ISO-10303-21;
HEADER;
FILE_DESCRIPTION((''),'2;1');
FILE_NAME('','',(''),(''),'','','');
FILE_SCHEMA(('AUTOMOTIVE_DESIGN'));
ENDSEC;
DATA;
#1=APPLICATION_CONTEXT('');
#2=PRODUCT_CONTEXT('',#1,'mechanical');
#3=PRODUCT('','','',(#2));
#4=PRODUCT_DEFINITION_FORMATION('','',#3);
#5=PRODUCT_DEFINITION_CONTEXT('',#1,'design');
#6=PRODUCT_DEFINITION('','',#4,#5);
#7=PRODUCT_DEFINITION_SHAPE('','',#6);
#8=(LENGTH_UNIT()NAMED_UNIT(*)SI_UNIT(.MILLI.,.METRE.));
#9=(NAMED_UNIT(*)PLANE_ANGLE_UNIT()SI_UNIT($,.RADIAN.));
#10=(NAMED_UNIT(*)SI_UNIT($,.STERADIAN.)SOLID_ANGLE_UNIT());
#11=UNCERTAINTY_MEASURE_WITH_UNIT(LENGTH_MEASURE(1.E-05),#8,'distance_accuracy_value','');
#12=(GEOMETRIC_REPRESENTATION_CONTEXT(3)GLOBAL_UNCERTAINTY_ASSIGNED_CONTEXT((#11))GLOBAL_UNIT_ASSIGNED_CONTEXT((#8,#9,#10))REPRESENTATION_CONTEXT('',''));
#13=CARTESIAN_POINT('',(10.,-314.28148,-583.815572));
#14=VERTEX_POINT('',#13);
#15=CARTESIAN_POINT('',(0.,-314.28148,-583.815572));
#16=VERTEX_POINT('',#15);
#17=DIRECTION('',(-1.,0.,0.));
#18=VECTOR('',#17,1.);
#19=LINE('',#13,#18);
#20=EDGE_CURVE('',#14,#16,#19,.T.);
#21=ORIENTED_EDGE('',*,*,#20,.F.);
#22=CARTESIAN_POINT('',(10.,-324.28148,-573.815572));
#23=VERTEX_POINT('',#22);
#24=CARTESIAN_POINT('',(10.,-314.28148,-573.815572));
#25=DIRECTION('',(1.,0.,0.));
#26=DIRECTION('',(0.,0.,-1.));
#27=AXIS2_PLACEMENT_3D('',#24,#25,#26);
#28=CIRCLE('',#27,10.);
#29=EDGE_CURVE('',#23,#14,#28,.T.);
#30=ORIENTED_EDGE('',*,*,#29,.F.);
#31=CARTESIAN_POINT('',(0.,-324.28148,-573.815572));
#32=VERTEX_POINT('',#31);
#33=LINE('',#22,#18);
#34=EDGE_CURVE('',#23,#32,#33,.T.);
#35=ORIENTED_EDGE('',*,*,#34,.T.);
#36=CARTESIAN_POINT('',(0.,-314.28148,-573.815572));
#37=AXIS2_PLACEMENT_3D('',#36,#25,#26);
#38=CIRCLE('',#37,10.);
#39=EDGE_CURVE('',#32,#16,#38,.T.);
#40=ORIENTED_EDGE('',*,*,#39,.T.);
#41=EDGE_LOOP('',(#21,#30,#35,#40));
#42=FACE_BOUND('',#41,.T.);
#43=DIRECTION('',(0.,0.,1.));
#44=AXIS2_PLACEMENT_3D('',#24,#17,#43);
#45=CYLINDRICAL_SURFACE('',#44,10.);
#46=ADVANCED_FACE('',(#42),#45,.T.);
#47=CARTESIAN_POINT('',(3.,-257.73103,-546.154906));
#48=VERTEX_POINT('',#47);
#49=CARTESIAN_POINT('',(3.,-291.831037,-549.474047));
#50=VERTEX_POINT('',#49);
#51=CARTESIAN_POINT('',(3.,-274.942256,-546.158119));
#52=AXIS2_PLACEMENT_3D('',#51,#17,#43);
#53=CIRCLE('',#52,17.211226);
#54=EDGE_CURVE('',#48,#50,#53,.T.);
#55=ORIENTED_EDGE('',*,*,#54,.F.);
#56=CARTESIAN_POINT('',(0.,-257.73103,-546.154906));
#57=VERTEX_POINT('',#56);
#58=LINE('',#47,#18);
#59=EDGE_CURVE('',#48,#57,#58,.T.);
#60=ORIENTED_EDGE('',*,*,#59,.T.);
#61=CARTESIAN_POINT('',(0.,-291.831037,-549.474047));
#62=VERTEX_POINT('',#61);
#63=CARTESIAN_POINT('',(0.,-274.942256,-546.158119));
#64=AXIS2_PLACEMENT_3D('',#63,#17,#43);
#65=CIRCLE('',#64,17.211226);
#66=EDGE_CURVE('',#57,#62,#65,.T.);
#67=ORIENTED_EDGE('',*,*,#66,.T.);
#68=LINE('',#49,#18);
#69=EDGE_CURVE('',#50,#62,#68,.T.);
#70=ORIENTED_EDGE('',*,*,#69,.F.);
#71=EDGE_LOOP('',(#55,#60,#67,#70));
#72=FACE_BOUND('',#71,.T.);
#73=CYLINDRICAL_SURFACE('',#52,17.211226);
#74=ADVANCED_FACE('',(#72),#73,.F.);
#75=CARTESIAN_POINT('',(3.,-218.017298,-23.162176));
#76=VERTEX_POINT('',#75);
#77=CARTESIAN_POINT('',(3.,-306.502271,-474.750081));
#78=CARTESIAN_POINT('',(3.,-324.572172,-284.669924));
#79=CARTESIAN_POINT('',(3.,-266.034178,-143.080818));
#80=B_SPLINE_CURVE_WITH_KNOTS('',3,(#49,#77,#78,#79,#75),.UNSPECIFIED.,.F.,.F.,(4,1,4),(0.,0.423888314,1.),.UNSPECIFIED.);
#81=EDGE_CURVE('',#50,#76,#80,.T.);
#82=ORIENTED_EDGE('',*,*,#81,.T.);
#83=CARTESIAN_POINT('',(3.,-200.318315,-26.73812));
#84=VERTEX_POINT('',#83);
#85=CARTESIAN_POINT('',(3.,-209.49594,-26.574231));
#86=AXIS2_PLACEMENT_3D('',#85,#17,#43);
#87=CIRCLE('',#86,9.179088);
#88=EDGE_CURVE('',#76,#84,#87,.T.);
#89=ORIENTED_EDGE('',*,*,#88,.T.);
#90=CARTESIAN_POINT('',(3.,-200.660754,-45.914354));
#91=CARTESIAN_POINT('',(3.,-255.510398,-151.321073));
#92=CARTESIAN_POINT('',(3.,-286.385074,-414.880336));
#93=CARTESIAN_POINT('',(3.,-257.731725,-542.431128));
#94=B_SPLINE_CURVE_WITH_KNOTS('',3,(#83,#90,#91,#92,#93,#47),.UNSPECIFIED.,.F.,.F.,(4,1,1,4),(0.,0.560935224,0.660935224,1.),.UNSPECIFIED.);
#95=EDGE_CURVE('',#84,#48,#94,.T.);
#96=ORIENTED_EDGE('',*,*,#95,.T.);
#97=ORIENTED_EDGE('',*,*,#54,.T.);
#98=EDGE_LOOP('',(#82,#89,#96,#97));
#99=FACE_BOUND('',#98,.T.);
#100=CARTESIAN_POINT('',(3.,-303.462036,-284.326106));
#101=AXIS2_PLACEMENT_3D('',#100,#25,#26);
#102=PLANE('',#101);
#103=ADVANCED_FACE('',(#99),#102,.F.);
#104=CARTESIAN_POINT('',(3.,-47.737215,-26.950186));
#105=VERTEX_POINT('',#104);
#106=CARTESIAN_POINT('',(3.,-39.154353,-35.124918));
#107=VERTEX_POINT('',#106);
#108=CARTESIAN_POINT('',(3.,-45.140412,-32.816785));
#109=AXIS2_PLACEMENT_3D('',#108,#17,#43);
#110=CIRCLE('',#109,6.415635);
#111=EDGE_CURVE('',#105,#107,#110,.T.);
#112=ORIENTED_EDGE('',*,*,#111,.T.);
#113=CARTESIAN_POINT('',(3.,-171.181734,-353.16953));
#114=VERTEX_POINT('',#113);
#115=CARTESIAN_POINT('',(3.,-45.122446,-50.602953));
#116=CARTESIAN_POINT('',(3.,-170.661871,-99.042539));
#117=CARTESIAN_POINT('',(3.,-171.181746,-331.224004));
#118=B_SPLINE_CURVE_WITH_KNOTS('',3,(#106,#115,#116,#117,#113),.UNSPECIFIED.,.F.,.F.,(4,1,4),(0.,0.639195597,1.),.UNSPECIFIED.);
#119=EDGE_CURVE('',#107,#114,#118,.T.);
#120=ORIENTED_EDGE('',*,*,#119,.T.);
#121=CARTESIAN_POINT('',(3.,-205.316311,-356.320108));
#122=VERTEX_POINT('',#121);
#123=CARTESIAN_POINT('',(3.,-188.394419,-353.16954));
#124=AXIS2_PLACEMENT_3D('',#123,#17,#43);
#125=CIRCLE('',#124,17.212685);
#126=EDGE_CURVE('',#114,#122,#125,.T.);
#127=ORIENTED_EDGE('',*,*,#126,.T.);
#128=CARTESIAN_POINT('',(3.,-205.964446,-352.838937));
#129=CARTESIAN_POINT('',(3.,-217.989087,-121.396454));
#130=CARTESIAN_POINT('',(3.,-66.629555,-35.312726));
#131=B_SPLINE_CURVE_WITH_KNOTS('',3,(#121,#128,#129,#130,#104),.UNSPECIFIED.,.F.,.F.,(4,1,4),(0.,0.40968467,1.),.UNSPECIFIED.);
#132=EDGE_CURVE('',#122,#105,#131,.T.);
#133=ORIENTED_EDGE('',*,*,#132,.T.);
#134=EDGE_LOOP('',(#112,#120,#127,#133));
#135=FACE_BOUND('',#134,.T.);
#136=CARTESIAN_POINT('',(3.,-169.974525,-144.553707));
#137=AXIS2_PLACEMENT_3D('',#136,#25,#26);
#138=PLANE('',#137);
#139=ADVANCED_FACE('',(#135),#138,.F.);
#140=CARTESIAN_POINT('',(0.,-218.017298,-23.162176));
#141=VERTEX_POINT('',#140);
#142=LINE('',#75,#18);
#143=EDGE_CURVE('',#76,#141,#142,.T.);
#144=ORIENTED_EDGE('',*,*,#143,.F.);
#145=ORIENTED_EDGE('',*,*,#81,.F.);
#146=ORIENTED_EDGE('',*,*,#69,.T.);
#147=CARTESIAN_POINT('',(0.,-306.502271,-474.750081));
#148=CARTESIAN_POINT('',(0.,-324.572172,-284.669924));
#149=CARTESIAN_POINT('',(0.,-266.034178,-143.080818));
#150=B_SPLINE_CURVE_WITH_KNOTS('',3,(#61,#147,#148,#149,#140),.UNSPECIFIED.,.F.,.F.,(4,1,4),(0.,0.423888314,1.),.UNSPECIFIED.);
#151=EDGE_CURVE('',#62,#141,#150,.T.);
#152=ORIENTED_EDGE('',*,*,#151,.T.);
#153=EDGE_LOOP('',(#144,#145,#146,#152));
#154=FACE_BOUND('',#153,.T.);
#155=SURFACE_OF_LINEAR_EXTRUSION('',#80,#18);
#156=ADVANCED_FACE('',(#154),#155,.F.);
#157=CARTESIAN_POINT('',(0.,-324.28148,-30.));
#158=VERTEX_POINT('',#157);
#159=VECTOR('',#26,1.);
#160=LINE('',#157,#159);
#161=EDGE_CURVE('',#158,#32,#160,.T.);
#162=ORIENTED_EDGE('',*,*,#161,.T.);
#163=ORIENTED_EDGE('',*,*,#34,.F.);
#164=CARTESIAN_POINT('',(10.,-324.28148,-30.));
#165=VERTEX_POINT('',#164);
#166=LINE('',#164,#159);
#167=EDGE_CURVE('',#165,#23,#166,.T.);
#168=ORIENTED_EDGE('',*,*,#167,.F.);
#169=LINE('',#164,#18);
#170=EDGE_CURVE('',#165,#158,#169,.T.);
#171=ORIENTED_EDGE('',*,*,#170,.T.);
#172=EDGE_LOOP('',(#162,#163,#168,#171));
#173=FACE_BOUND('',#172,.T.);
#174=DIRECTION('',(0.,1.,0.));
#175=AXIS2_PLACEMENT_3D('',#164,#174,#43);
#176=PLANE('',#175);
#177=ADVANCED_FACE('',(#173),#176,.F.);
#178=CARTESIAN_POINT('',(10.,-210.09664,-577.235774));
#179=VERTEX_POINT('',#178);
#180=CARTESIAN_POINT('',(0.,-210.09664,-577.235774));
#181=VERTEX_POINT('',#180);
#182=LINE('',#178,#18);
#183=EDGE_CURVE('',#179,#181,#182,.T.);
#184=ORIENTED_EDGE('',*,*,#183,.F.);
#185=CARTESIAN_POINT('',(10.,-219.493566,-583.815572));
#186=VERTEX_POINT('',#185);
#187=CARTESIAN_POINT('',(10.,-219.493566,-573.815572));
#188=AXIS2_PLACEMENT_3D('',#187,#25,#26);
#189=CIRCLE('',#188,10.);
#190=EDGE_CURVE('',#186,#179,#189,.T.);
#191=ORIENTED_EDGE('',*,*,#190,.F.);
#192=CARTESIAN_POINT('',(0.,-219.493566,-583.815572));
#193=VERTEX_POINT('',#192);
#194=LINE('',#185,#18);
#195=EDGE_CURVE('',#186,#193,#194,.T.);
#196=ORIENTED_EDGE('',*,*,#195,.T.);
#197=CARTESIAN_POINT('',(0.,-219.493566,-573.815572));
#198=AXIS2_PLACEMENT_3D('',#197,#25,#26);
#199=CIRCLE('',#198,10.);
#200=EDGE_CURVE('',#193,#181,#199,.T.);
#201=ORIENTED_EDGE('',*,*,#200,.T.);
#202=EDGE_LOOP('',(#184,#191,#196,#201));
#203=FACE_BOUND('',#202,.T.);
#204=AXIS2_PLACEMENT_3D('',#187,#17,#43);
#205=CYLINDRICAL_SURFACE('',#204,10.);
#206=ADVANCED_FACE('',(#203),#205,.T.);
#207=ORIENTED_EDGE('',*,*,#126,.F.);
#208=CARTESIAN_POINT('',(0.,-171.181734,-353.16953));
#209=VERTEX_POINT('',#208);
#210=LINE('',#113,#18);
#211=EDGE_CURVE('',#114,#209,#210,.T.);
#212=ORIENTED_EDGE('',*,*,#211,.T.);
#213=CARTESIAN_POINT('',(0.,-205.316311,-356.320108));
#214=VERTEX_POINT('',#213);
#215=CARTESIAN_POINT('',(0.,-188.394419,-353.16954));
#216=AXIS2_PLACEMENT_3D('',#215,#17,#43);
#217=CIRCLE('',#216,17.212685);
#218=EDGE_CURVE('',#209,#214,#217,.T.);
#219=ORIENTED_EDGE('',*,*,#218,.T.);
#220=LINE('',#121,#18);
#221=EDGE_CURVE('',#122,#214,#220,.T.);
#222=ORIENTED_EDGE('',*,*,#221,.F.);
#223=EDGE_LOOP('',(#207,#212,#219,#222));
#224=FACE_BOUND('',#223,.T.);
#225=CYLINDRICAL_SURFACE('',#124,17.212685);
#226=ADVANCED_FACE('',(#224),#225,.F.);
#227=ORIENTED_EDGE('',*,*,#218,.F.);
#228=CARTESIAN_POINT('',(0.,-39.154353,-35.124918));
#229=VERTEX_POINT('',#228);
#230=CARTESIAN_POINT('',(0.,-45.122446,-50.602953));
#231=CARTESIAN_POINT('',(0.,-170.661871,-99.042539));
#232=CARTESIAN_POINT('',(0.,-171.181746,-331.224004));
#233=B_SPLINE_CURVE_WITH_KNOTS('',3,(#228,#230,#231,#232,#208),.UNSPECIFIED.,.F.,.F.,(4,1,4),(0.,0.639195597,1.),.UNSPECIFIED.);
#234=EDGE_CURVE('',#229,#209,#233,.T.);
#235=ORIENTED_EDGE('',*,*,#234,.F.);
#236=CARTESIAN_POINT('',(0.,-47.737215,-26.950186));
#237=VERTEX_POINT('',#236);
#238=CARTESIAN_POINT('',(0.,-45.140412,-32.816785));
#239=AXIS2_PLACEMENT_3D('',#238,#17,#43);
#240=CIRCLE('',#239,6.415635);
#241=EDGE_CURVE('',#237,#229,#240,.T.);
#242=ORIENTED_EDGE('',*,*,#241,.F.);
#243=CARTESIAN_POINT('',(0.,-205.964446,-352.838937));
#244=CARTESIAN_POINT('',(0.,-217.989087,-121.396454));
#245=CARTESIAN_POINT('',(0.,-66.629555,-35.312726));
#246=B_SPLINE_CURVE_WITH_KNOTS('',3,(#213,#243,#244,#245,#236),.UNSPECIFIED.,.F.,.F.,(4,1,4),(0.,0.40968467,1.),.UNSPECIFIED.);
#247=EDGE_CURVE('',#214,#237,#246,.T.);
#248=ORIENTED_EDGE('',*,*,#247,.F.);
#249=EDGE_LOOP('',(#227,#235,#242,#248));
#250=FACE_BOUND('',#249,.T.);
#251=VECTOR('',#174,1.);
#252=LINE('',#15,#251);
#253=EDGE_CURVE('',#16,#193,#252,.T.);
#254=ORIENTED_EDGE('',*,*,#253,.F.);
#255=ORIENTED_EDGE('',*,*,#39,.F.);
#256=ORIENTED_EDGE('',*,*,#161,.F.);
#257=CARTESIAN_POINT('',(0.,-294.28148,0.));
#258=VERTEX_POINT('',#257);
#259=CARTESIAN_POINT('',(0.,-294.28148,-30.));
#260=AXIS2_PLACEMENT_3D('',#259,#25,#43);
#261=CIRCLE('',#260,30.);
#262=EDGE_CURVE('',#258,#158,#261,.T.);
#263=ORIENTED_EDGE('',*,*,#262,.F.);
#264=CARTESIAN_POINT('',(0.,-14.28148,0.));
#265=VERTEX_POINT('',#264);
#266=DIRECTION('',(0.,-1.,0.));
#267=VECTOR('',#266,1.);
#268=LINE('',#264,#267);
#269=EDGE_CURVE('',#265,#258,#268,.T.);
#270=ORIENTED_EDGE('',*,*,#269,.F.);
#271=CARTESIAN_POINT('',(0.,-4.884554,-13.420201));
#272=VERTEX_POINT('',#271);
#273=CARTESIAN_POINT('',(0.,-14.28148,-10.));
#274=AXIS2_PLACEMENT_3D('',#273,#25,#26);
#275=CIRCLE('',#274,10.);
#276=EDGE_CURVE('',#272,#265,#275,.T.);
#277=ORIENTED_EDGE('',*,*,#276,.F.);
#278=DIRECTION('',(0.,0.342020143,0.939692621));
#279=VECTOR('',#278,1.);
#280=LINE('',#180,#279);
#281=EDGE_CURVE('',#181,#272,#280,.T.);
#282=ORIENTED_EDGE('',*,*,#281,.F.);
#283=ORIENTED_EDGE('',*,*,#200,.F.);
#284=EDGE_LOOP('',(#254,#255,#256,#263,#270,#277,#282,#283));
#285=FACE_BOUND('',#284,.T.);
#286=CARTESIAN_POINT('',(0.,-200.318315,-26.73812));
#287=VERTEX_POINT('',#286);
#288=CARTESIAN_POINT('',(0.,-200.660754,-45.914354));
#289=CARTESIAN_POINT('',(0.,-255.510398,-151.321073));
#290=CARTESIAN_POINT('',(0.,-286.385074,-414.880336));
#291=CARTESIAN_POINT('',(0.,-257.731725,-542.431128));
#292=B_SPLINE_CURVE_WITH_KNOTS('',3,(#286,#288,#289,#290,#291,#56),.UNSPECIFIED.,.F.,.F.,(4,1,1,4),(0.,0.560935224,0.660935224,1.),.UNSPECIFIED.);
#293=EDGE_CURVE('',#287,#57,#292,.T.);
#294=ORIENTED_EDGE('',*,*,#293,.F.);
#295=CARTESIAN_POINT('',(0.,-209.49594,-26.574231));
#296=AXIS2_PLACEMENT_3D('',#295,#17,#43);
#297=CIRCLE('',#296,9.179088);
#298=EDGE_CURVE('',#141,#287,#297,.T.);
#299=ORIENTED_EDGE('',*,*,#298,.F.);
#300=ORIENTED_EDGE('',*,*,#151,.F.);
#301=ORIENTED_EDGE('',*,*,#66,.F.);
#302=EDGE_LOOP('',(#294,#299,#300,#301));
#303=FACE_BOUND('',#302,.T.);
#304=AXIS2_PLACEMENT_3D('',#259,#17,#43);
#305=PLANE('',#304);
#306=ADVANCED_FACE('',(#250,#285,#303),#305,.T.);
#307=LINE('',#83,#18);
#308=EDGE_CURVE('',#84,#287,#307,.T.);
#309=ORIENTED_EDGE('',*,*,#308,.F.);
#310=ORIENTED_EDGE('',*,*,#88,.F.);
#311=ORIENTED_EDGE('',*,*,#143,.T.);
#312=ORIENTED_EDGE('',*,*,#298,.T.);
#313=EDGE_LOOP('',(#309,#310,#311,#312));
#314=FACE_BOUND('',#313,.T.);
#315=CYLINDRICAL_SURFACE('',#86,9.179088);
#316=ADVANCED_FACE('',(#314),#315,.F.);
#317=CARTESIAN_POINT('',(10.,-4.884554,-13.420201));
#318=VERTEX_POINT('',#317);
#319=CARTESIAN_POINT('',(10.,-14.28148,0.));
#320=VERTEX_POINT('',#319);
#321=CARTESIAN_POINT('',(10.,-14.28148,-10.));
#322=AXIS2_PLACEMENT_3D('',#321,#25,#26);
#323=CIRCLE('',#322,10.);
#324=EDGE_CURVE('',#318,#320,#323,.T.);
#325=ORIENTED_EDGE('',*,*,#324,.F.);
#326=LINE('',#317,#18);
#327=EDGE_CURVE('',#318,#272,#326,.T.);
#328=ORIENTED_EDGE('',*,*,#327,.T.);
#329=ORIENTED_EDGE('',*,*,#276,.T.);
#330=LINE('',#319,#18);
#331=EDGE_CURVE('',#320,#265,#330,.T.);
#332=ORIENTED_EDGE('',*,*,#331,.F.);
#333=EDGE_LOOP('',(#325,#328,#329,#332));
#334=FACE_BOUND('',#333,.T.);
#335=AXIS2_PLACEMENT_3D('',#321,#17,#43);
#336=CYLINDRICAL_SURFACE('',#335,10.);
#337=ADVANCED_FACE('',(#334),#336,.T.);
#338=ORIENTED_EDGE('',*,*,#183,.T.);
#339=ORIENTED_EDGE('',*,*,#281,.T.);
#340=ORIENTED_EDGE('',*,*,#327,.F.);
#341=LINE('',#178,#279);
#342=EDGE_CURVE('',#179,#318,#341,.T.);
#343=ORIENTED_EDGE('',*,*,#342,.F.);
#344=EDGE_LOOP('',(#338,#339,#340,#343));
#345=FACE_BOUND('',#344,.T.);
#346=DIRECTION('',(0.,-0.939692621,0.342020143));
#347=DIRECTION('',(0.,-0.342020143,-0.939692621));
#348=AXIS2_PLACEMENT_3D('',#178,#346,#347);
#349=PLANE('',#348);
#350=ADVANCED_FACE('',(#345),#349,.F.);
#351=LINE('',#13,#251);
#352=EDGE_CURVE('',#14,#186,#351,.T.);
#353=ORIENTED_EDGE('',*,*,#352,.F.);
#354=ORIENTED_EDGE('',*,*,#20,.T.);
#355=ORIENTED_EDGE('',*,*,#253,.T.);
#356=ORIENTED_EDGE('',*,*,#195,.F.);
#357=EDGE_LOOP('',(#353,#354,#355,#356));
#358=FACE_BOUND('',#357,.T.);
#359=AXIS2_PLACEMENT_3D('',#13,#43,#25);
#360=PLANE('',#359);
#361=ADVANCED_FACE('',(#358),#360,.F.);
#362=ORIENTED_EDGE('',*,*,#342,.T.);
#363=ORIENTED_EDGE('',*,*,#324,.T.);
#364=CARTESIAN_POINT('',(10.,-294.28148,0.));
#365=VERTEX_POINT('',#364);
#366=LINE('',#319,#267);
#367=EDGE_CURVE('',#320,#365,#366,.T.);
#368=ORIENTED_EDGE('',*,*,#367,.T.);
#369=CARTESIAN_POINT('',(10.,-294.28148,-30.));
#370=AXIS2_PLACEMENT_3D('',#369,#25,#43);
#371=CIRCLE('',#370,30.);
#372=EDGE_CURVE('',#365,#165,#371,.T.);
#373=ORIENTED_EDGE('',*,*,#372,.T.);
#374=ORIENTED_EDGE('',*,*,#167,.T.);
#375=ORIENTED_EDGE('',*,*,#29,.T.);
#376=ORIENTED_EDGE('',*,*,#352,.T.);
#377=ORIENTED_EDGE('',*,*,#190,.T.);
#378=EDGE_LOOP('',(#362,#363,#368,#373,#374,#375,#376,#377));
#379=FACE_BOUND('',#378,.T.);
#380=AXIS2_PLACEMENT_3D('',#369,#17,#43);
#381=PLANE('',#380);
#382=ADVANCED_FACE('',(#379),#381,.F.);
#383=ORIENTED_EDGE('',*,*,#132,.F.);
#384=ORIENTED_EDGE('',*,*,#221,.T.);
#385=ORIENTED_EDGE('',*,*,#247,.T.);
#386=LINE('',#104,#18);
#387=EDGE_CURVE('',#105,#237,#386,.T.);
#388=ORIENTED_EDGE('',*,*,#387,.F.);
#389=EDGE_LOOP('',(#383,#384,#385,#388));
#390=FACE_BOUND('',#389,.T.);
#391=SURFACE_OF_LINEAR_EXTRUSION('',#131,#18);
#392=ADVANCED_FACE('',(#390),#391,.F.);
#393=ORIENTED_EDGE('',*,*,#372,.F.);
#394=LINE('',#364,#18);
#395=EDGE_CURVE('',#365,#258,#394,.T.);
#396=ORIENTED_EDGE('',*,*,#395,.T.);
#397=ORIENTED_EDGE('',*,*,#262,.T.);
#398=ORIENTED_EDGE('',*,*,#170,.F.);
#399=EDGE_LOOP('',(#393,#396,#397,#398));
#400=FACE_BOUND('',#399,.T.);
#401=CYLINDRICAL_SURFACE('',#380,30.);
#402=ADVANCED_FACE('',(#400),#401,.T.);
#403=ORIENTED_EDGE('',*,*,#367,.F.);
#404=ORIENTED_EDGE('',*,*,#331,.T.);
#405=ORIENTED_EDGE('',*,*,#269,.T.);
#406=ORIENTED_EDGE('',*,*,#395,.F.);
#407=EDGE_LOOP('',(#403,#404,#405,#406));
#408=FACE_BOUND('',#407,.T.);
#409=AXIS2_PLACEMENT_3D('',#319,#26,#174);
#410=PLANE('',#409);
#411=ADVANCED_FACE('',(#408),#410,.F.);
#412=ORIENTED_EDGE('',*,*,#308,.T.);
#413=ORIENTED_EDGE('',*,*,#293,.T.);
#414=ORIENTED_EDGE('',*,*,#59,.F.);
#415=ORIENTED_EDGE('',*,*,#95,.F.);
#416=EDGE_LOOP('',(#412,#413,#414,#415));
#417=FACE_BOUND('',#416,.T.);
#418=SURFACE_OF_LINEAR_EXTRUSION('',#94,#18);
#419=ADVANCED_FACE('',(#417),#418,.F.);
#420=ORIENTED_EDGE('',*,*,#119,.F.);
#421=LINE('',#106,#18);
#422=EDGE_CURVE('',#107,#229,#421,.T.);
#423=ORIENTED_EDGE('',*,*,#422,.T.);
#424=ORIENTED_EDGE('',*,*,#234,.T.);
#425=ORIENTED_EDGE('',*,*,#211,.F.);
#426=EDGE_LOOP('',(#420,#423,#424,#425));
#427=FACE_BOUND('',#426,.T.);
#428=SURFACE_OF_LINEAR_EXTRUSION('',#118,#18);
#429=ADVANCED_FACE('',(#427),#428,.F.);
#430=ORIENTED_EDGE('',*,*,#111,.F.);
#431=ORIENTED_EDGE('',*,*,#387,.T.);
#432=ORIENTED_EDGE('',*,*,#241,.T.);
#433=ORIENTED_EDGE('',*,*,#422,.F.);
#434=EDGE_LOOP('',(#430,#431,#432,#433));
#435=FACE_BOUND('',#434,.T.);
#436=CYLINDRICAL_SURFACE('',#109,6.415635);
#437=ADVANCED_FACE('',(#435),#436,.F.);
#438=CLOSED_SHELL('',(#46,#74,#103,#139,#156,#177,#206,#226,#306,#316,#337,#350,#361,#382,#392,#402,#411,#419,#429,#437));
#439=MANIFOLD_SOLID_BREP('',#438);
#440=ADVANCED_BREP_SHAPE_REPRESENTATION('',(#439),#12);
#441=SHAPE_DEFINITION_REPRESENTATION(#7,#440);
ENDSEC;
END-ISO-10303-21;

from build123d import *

# Parameters (mm, degrees)
BOSS_EXTRUDE1_DEPTH = 10
CUT_EXTRUDE3_DEPTH  = 3


with BuildPart() as part:
    # Sketch1 → Boss-Extrude1 (new body)
    with BuildSketch(Plane(origin=(0, 0, 0), x_dir=(0, 0, -1), z_dir=(1, 0, 0))):
        with BuildLine():
            Line((0, -14.281480067), (0, -294.281480067))
            ThreePointArc((0, -294.281480067), (8.786796564, -315.494683503), (30, -324.281480067))
            Line((30, -324.281480067), (573.815572472, -324.281480067))
            ThreePointArc((573.815572472, -324.281480067), (580.886640283, -321.352547879), (583.815572472, -314.281480067))
            Line((583.815572472, -314.281480067), (583.815572472, -219.493566063))
            ThreePointArc((583.815572472, -219.493566063), (582.007092914, -213.757801699), (577.235773905, -210.096639855))
            Line((577.235773905, -210.096639855), (13.420201433, -4.88455386))
            ThreePointArc((13.420201433, -4.88455386), (4.264235636, -6.089959625), (0, -14.281480067))
        make_face()
    extrude(amount=BOSS_EXTRUDE1_DEPTH)

    # Sketch3 → Cut-Extrude3 (cut)
    with BuildSketch(Plane.ZY):
        with BuildLine():
            ThreePointArc((-23.162175785, -218.017297737), (-17.576945532, -207.678107035), (-26.738120061, -200.318314743))
            add(Edge.make_bspline(
                [(-26.738120061, -200.318314743), (-45.914354434, -200.660753587), (-151.32107334, -255.510398156), (-414.880335601, -286.385074175), (-542.431128002, -257.731725159), (-546.154906269, -257.731029979)],
                knots=[0, 0, 0, 0, 0.560935224, 0.660935224, 1, 1, 1, 1], degree=3))
            ThreePointArc((-546.154906269, -257.731029979), (-563.288388976, -273.27487263), (-549.474047026, -291.831036849))
            add(Edge.make_bspline(
                [(-549.474047026, -291.831036849), (-474.750080899, -306.502271197), (-284.669923623, -324.572171749), (-143.080818041, -266.034178467), (-23.162175785, -218.017297737)],
                knots=[0, 0, 0, 0, 0.423888314, 1, 1, 1, 1], degree=3))
        make_face()
        with BuildLine():
            ThreePointArc((-26.950185671, -47.737214996), (-28.17113687, -40.715672082), (-35.124917897, -39.154353359))
            add(Edge.make_bspline(
                [(-35.124917897, -39.154353359), (-50.602952828, -45.122445935), (-99.042539, -170.661871263), (-331.224003862, -171.181746235), (-353.169530365, -171.181734297)],
                knots=[0, 0, 0, 0, 0.639195597, 1, 1, 1, 1], degree=3))
            ThreePointArc((-353.169530365, -171.181734297), (-370.309371751, -186.812434708), (-356.32010769, -205.316311305))
            add(Edge.make_bspline(
                [(-356.32010769, -205.316311305), (-352.838937223, -205.964445921), (-121.396454164, -217.989087479), (-35.312726243, -66.629555086), (-26.950185671, -47.737214996)],
                knots=[0, 0, 0, 0, 0.40968467, 1, 1, 1, 1], degree=3))
        make_face()
    extrude(amount=-CUT_EXTRUDE3_DEPTH, mode=Mode.SUBTRACT)


solid = part.part
